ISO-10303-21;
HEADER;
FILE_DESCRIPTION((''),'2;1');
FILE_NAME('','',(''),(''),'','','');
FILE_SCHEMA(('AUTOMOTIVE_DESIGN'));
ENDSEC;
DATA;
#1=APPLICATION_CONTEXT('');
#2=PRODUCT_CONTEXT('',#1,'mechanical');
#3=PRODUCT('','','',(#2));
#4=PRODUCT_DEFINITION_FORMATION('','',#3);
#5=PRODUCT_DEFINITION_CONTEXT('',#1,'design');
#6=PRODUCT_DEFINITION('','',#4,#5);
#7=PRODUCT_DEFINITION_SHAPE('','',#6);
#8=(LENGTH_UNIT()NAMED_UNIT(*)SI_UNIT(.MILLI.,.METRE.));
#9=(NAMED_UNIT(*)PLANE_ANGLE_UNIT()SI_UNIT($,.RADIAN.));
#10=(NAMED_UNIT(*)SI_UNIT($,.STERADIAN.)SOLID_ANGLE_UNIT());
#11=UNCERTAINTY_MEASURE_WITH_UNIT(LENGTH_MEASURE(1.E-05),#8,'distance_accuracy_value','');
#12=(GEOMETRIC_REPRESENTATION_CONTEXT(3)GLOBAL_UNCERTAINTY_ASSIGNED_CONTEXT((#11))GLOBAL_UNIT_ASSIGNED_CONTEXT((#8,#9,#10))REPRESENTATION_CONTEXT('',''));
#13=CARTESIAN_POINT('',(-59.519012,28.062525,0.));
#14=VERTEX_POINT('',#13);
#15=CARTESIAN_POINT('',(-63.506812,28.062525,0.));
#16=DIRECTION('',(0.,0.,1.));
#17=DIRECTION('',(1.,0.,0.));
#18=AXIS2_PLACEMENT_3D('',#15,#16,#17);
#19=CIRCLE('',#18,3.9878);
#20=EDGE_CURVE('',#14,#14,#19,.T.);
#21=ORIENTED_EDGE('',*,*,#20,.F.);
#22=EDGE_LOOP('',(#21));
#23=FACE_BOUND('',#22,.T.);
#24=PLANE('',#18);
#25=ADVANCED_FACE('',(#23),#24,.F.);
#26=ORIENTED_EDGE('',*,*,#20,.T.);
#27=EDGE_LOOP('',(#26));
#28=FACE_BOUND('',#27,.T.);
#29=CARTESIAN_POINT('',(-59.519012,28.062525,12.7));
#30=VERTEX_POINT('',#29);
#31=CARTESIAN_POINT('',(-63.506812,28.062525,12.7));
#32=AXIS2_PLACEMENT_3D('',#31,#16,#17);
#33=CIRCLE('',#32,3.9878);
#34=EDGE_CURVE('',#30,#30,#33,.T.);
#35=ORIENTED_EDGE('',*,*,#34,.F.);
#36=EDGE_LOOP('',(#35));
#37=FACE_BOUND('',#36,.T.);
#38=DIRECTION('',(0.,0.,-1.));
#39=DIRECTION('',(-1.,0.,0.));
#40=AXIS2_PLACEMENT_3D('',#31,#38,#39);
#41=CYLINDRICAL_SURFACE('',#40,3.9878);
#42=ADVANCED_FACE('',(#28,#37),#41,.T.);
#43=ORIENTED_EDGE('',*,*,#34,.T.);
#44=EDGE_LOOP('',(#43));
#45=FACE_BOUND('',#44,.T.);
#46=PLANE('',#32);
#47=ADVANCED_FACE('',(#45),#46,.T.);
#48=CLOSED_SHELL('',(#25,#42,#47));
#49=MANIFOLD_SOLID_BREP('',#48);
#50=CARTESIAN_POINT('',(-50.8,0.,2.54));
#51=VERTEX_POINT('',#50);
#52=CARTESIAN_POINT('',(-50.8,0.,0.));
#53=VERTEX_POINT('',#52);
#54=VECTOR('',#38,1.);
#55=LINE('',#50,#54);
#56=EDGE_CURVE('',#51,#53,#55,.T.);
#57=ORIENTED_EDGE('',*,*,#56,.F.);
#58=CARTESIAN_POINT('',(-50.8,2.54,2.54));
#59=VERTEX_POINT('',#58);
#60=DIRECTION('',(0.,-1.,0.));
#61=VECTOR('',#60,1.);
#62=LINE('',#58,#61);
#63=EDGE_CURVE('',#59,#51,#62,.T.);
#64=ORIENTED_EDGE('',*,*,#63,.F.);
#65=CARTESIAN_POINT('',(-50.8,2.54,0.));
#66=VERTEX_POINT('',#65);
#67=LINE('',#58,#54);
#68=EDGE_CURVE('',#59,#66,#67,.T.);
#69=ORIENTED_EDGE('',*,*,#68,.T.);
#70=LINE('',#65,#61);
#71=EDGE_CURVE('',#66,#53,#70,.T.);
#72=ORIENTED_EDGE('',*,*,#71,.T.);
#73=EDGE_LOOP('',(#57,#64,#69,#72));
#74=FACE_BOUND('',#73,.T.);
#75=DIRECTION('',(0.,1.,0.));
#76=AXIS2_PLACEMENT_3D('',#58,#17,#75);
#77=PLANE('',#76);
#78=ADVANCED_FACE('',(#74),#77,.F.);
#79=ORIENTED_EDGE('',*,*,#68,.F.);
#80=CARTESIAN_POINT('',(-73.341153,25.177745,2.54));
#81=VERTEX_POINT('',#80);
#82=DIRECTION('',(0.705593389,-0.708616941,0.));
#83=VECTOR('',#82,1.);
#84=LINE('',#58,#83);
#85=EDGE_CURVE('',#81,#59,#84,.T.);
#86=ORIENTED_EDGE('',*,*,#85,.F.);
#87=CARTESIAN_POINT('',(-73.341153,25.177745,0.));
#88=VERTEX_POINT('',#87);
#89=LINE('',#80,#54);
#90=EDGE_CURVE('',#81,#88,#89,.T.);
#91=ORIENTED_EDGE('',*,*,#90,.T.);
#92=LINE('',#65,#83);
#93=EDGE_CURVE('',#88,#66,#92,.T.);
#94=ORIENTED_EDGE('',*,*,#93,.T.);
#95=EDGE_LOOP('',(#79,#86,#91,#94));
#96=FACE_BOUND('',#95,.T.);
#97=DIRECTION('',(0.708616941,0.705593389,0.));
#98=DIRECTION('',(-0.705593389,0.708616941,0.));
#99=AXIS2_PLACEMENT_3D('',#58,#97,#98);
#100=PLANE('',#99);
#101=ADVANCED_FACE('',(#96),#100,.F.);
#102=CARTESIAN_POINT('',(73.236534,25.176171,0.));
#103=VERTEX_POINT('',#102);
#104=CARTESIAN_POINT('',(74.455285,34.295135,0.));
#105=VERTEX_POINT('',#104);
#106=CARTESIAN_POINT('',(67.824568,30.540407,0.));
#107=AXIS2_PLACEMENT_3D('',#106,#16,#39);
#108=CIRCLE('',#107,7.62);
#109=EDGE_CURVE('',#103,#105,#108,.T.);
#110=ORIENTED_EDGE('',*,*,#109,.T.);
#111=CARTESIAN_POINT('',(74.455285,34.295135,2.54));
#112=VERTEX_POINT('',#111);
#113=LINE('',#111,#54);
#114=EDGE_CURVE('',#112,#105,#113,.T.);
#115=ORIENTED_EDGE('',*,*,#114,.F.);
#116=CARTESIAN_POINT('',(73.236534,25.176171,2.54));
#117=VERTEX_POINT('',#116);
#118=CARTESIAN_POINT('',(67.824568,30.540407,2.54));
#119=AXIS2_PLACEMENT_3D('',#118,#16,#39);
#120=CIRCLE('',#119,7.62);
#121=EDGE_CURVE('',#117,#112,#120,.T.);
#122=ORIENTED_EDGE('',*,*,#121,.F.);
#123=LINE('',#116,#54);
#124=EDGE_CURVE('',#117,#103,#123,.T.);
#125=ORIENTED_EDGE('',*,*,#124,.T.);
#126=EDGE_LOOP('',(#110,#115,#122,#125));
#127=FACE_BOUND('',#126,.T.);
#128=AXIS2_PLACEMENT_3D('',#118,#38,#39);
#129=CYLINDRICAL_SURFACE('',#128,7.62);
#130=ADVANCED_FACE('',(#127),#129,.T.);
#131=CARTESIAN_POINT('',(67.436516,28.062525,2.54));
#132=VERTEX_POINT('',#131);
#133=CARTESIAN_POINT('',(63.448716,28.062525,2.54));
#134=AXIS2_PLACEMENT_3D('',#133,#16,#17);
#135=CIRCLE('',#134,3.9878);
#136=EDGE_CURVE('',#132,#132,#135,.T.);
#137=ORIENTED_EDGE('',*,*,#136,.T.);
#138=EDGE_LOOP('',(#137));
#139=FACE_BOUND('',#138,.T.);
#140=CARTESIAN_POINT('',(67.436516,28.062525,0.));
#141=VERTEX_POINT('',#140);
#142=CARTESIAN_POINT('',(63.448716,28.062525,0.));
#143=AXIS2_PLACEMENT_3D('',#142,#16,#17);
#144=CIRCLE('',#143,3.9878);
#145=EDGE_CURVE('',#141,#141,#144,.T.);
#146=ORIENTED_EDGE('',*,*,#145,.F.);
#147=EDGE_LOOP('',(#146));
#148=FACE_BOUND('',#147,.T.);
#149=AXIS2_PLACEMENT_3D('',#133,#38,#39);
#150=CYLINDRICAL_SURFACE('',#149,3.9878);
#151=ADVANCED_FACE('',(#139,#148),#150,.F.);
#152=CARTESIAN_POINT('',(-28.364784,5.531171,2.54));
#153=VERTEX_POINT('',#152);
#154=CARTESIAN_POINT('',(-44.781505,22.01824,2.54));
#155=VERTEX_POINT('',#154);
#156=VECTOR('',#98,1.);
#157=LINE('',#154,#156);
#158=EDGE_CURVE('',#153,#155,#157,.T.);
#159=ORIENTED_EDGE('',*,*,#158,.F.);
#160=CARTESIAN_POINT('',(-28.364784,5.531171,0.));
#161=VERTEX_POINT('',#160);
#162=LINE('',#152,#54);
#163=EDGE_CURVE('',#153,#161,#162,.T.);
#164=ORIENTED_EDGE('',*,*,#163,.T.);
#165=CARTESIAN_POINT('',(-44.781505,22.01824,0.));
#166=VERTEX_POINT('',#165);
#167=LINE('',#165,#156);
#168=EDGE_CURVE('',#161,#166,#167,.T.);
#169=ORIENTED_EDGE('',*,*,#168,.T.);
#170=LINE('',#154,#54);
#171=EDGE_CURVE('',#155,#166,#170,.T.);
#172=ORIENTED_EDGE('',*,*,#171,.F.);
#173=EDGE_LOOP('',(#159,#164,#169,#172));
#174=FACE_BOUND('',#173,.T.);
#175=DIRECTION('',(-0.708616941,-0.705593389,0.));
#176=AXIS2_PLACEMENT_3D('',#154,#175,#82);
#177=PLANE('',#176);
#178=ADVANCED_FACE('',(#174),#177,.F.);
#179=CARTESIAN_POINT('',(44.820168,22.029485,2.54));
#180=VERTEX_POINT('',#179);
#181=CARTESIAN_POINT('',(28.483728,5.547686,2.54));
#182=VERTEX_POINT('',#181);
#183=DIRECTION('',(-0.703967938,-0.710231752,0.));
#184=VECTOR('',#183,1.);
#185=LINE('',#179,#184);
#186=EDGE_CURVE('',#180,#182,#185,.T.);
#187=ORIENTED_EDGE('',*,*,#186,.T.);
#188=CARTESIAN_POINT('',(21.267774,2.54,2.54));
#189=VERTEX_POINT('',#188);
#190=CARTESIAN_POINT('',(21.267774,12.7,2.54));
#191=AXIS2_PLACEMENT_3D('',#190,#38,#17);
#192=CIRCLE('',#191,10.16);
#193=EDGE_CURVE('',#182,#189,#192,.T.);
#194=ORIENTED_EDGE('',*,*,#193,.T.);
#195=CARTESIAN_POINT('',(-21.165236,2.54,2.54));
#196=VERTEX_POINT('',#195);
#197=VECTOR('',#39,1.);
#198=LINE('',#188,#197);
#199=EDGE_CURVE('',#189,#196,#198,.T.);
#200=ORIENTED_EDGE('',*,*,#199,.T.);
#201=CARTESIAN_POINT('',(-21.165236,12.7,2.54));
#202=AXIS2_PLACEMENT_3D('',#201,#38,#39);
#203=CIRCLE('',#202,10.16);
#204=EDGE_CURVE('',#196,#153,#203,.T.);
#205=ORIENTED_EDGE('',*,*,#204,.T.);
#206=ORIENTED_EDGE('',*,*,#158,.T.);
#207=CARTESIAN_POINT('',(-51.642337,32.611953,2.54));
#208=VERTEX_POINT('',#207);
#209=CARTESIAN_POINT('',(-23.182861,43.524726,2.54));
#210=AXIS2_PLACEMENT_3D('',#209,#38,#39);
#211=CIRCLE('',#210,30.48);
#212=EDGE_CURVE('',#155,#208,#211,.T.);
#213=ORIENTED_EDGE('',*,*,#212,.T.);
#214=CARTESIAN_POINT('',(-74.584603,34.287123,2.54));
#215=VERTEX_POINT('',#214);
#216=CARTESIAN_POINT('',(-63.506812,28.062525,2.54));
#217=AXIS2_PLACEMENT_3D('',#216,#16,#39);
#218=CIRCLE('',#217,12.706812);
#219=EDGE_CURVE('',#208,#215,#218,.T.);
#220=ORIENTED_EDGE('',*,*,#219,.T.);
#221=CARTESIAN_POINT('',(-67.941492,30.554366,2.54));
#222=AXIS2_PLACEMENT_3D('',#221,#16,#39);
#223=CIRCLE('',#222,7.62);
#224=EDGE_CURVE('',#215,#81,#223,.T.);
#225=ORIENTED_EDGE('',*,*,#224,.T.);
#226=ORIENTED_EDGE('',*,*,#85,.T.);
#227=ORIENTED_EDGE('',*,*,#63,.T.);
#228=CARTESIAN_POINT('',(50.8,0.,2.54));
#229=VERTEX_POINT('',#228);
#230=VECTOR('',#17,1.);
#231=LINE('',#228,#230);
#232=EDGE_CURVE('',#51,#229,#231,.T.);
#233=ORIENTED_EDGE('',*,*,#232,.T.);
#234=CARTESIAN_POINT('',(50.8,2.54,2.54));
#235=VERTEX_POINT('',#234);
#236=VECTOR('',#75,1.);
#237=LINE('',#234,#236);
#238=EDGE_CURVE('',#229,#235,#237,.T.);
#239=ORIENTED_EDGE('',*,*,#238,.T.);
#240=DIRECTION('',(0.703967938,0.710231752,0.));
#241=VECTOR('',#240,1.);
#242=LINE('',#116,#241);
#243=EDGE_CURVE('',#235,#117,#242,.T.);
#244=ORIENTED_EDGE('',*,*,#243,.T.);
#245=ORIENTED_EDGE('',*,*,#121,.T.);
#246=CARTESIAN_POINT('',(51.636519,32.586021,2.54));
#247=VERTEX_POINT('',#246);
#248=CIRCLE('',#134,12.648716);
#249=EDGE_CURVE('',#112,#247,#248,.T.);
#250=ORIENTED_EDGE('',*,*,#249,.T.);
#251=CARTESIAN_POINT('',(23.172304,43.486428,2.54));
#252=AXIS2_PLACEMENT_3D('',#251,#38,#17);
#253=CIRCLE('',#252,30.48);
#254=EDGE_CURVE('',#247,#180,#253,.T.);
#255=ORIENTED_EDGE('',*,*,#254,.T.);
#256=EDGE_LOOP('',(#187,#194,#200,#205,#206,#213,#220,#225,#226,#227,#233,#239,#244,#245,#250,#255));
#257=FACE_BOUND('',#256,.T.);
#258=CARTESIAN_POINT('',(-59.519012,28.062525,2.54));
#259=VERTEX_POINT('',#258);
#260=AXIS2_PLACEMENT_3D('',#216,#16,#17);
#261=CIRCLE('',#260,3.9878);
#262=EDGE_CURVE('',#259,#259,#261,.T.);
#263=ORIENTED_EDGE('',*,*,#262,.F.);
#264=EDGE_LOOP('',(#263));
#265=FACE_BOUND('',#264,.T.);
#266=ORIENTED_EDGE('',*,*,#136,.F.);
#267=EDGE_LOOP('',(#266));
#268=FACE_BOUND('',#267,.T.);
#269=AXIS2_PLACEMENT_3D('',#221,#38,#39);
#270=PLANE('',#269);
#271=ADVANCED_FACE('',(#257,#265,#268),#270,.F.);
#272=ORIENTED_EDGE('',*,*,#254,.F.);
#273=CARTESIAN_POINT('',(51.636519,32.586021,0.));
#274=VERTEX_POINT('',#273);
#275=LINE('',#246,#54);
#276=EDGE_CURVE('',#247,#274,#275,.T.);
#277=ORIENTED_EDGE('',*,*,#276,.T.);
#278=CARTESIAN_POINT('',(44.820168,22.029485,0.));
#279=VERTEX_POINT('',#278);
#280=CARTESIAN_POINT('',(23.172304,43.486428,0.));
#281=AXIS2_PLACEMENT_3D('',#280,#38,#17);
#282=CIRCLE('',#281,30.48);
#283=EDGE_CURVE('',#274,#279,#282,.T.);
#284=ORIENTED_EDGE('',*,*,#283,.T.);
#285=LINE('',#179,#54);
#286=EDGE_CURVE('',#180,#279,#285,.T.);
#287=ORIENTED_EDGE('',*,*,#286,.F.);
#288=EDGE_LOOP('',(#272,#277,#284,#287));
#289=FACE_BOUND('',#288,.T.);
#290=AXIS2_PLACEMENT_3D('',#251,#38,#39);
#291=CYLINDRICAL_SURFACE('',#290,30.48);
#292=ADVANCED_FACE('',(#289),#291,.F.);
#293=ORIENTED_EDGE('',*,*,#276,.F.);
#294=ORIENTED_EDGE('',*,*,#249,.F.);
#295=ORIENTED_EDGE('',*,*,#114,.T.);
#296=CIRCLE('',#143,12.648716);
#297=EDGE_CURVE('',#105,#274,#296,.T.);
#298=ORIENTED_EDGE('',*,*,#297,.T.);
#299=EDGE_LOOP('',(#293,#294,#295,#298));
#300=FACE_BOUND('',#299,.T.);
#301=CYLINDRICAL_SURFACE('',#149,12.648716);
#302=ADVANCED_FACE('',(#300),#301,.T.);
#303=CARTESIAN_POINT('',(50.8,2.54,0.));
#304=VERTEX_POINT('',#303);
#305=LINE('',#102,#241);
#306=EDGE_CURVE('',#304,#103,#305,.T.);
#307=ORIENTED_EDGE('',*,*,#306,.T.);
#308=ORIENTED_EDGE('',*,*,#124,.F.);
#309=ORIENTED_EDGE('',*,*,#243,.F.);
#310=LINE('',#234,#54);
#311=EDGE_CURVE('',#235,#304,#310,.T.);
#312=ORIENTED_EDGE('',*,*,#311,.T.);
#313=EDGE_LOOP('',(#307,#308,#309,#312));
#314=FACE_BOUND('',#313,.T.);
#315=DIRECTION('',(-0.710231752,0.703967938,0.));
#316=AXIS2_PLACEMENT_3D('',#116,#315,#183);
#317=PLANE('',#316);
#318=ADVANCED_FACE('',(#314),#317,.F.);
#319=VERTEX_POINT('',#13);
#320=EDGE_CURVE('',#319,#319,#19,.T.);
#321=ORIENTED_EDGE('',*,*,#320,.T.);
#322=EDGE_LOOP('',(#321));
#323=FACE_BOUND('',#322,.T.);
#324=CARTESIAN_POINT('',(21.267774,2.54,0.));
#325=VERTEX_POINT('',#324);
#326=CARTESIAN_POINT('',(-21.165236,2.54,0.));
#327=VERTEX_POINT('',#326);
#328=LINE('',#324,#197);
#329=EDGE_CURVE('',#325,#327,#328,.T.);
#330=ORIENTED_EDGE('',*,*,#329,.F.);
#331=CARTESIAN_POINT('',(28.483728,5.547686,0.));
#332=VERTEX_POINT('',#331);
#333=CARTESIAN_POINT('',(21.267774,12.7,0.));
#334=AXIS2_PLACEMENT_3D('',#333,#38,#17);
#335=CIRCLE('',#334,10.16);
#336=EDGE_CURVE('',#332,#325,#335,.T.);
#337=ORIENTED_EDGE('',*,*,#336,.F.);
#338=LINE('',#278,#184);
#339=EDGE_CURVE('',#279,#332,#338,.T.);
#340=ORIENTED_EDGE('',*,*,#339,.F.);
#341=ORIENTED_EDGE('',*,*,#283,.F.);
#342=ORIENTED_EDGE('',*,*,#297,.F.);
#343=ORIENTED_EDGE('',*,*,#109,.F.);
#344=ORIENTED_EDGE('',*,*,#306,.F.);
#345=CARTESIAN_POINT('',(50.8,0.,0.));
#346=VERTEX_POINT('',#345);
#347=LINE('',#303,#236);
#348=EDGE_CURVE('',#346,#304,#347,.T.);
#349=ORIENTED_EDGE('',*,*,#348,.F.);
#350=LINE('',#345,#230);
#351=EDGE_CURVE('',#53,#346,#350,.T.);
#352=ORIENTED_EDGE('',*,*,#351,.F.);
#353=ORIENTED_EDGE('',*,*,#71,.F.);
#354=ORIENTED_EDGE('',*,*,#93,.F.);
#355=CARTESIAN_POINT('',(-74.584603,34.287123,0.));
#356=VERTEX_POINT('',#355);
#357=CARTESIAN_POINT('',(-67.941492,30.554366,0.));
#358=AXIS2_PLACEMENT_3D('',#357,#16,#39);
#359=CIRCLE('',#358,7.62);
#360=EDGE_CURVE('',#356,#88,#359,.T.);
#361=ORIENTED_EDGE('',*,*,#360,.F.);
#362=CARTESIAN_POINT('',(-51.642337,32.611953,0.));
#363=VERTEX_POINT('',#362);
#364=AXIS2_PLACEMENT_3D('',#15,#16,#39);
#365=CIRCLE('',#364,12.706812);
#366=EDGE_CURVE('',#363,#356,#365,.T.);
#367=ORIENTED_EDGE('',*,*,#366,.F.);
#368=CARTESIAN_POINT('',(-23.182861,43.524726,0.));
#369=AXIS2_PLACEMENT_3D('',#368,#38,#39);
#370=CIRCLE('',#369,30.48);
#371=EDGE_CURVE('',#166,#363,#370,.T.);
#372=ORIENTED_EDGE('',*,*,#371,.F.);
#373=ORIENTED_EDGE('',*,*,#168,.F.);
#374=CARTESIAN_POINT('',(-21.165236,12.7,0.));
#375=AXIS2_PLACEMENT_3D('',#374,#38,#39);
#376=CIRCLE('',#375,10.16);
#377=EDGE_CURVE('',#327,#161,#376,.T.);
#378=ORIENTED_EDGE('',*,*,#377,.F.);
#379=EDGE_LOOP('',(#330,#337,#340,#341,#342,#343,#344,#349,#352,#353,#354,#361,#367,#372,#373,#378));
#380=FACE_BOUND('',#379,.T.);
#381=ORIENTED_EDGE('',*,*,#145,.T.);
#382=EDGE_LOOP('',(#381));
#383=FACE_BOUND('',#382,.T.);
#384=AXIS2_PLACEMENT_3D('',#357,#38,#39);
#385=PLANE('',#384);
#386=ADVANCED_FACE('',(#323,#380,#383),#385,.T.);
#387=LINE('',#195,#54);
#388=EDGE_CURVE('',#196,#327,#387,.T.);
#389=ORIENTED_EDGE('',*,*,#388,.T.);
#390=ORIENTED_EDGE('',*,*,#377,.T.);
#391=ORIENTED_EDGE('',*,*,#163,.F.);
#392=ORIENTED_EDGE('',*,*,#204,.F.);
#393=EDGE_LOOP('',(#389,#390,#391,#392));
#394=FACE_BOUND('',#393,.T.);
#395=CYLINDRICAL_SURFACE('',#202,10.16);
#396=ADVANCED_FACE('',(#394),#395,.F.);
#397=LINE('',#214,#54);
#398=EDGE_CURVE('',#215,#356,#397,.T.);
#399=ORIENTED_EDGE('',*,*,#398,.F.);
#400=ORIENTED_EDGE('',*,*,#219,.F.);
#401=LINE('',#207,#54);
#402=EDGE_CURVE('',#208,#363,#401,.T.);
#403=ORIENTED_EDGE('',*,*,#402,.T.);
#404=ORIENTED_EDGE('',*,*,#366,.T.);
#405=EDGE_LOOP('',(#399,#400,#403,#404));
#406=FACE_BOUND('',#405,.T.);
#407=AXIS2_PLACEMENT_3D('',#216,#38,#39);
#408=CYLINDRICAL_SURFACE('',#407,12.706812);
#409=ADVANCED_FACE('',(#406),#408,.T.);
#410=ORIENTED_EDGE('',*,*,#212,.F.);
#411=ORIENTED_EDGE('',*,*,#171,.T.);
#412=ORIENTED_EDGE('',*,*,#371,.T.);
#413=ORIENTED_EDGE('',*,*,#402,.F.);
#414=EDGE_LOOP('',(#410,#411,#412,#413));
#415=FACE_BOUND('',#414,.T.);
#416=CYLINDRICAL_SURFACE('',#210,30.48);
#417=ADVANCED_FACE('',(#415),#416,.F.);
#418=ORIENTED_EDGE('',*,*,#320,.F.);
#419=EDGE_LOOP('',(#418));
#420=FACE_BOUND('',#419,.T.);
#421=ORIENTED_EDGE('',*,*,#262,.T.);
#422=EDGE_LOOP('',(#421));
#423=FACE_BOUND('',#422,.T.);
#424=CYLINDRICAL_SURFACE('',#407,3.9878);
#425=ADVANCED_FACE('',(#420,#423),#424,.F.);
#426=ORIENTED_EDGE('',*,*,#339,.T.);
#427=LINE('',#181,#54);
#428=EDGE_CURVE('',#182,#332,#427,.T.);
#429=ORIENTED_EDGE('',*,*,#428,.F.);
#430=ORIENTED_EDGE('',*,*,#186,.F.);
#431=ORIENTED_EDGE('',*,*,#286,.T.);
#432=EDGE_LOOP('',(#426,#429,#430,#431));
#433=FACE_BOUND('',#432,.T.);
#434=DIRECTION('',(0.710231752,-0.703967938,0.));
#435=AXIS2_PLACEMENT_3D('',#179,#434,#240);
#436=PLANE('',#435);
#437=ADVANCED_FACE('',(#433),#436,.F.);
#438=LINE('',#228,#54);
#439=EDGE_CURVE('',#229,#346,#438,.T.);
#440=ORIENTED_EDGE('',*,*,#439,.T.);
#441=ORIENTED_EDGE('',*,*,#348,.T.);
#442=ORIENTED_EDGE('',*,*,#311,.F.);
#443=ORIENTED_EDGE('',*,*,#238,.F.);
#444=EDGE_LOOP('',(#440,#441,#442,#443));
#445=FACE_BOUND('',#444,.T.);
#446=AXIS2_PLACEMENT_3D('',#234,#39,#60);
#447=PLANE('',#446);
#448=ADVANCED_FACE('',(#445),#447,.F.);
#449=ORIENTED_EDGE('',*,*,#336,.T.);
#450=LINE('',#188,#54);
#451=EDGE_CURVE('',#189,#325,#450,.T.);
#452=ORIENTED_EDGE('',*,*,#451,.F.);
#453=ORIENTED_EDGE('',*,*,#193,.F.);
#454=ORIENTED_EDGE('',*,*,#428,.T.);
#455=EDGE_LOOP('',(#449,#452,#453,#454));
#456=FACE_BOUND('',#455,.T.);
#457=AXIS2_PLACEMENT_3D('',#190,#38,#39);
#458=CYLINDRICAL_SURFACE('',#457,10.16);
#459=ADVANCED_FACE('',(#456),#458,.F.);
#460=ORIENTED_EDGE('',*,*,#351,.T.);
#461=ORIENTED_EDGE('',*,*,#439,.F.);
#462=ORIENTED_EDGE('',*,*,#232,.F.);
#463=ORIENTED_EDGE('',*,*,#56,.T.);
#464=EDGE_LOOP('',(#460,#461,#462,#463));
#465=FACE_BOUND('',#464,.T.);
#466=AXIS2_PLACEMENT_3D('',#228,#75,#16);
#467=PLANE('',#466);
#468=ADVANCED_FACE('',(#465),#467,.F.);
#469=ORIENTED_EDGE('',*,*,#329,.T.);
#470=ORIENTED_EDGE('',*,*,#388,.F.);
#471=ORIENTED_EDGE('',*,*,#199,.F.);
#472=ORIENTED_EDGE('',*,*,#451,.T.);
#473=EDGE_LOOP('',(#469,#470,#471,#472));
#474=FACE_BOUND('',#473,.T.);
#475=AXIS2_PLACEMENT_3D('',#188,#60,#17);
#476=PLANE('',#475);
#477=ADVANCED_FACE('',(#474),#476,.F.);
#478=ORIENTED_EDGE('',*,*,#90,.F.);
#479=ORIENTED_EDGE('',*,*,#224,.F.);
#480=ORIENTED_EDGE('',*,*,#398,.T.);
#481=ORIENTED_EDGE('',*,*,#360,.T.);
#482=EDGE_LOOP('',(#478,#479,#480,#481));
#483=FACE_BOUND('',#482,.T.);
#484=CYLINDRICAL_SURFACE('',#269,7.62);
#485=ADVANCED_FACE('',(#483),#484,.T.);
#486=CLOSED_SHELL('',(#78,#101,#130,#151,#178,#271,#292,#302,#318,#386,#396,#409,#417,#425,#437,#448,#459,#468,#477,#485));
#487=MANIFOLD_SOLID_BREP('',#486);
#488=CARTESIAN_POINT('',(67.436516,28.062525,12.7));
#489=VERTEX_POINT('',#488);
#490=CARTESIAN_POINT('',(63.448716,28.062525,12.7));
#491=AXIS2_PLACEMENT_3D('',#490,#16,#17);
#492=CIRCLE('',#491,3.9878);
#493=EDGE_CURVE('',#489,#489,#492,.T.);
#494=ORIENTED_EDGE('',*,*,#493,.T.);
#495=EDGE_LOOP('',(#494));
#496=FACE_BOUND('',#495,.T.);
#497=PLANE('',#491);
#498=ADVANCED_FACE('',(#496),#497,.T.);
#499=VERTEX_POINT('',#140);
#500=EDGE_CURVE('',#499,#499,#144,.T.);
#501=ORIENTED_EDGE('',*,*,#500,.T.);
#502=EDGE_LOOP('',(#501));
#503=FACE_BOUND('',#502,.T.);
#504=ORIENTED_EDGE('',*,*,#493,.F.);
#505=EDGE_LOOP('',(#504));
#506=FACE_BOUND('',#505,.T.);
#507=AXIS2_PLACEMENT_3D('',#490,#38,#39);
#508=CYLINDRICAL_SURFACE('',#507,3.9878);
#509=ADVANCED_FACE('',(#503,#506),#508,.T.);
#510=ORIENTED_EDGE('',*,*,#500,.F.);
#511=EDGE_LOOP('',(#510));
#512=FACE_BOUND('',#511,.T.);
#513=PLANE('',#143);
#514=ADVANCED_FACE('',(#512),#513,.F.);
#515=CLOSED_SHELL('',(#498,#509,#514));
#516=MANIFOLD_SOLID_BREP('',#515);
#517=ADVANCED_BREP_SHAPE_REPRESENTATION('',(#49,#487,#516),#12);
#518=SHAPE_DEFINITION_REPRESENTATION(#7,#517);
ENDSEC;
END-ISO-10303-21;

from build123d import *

# Parameters (mm, degrees)
SKETCH1_R           = 3.9878
BOSS_EXTRUDE1_DEPTH = 2.54
SKETCH1_4_R         = 3.9878
BOSS_EXTRUDE2_DEPTH = 12.7
SKETCH1_5_R         = 3.9878
BOSS_EXTRUDE3_DEPTH = 12.7


with BuildPart() as part:
    # Sketch1 → Boss-Extrude1 (new body)
    with BuildSketch(Plane.XY):
        with BuildLine():
            Line((50.8, 0), (-50.8, 0))
            Line((-50.8, 0), (-50.8, 2.54))
            Line((-50.8, 2.54), (-73.341153043, 25.177744556))
            ThreePointArc((-73.341153043, 25.177744556), (-75.4914777, 29.523776435), (-74.584603309, 34.287122743))
            ThreePointArc((-74.584603309, 34.287122743), (-62.581465352, 40.735598954), (-51.642336586, 32.611952722))
            ThreePointArc((-51.642336586, 32.611952722), (-48.766264236, 26.956085459), (-44.781504954, 22.018239761))
            Line((-44.781504954, 22.018239761), (-28.364783953, 5.531171163))
            ThreePointArc((-28.364783953, 5.531171163), (-25.06333146, 3.317545604), (-21.165235834, 2.54))
            Line((-21.165235834, 2.54), (21.267773614, 2.54))
            ThreePointArc((21.267773614, 2.54), (25.176615334, 3.322017466), (28.483728216, 5.547685746))
            Line((28.483728216, 5.547685746), (44.820167783, 22.029484797))
            ThreePointArc((44.820167783, 22.029484797), (48.778264576, 26.952668705), (51.636518818, 32.586020523))
            ThreePointArc((51.636518818, 32.586020523), (62.503979201, 40.675909873), (74.455285467, 34.295135356))
            ThreePointArc((74.455285467, 34.295135356), (75.377410668, 29.530967861), (73.236533925, 25.176171243))
            Line((73.236533925, 25.176171243), (50.8, 2.54))
            Line((50.8, 2.54), (50.8, 0))
        make_face()
        with Locations((-63.506812189, 28.062524772)):
            Circle(SKETCH1_R, mode=Mode.SUBTRACT)
        with Locations((63.448715782, 28.062524772)):
            Circle(SKETCH1_R, mode=Mode.SUBTRACT)
    extrude(amount=BOSS_EXTRUDE1_DEPTH)


with BuildPart() as body_2:
    # Sketch1<4> → Boss-Extrude2 (new body)
    with BuildSketch(Plane.XY):
        with Locations((-63.506812189, 28.062524772)):
            Circle(SKETCH1_4_R)
    extrude(amount=BOSS_EXTRUDE2_DEPTH)


with BuildPart() as body_3:
    # Sketch1<5> → Boss-Extrude3 (new body)
    with BuildSketch(Plane.XY):
        with Locations((63.448715782, 28.062524772)):
            Circle(SKETCH1_5_R)
    extrude(amount=BOSS_EXTRUDE3_DEPTH)


solid = Compound([part.part, body_2.part, body_3.part])
